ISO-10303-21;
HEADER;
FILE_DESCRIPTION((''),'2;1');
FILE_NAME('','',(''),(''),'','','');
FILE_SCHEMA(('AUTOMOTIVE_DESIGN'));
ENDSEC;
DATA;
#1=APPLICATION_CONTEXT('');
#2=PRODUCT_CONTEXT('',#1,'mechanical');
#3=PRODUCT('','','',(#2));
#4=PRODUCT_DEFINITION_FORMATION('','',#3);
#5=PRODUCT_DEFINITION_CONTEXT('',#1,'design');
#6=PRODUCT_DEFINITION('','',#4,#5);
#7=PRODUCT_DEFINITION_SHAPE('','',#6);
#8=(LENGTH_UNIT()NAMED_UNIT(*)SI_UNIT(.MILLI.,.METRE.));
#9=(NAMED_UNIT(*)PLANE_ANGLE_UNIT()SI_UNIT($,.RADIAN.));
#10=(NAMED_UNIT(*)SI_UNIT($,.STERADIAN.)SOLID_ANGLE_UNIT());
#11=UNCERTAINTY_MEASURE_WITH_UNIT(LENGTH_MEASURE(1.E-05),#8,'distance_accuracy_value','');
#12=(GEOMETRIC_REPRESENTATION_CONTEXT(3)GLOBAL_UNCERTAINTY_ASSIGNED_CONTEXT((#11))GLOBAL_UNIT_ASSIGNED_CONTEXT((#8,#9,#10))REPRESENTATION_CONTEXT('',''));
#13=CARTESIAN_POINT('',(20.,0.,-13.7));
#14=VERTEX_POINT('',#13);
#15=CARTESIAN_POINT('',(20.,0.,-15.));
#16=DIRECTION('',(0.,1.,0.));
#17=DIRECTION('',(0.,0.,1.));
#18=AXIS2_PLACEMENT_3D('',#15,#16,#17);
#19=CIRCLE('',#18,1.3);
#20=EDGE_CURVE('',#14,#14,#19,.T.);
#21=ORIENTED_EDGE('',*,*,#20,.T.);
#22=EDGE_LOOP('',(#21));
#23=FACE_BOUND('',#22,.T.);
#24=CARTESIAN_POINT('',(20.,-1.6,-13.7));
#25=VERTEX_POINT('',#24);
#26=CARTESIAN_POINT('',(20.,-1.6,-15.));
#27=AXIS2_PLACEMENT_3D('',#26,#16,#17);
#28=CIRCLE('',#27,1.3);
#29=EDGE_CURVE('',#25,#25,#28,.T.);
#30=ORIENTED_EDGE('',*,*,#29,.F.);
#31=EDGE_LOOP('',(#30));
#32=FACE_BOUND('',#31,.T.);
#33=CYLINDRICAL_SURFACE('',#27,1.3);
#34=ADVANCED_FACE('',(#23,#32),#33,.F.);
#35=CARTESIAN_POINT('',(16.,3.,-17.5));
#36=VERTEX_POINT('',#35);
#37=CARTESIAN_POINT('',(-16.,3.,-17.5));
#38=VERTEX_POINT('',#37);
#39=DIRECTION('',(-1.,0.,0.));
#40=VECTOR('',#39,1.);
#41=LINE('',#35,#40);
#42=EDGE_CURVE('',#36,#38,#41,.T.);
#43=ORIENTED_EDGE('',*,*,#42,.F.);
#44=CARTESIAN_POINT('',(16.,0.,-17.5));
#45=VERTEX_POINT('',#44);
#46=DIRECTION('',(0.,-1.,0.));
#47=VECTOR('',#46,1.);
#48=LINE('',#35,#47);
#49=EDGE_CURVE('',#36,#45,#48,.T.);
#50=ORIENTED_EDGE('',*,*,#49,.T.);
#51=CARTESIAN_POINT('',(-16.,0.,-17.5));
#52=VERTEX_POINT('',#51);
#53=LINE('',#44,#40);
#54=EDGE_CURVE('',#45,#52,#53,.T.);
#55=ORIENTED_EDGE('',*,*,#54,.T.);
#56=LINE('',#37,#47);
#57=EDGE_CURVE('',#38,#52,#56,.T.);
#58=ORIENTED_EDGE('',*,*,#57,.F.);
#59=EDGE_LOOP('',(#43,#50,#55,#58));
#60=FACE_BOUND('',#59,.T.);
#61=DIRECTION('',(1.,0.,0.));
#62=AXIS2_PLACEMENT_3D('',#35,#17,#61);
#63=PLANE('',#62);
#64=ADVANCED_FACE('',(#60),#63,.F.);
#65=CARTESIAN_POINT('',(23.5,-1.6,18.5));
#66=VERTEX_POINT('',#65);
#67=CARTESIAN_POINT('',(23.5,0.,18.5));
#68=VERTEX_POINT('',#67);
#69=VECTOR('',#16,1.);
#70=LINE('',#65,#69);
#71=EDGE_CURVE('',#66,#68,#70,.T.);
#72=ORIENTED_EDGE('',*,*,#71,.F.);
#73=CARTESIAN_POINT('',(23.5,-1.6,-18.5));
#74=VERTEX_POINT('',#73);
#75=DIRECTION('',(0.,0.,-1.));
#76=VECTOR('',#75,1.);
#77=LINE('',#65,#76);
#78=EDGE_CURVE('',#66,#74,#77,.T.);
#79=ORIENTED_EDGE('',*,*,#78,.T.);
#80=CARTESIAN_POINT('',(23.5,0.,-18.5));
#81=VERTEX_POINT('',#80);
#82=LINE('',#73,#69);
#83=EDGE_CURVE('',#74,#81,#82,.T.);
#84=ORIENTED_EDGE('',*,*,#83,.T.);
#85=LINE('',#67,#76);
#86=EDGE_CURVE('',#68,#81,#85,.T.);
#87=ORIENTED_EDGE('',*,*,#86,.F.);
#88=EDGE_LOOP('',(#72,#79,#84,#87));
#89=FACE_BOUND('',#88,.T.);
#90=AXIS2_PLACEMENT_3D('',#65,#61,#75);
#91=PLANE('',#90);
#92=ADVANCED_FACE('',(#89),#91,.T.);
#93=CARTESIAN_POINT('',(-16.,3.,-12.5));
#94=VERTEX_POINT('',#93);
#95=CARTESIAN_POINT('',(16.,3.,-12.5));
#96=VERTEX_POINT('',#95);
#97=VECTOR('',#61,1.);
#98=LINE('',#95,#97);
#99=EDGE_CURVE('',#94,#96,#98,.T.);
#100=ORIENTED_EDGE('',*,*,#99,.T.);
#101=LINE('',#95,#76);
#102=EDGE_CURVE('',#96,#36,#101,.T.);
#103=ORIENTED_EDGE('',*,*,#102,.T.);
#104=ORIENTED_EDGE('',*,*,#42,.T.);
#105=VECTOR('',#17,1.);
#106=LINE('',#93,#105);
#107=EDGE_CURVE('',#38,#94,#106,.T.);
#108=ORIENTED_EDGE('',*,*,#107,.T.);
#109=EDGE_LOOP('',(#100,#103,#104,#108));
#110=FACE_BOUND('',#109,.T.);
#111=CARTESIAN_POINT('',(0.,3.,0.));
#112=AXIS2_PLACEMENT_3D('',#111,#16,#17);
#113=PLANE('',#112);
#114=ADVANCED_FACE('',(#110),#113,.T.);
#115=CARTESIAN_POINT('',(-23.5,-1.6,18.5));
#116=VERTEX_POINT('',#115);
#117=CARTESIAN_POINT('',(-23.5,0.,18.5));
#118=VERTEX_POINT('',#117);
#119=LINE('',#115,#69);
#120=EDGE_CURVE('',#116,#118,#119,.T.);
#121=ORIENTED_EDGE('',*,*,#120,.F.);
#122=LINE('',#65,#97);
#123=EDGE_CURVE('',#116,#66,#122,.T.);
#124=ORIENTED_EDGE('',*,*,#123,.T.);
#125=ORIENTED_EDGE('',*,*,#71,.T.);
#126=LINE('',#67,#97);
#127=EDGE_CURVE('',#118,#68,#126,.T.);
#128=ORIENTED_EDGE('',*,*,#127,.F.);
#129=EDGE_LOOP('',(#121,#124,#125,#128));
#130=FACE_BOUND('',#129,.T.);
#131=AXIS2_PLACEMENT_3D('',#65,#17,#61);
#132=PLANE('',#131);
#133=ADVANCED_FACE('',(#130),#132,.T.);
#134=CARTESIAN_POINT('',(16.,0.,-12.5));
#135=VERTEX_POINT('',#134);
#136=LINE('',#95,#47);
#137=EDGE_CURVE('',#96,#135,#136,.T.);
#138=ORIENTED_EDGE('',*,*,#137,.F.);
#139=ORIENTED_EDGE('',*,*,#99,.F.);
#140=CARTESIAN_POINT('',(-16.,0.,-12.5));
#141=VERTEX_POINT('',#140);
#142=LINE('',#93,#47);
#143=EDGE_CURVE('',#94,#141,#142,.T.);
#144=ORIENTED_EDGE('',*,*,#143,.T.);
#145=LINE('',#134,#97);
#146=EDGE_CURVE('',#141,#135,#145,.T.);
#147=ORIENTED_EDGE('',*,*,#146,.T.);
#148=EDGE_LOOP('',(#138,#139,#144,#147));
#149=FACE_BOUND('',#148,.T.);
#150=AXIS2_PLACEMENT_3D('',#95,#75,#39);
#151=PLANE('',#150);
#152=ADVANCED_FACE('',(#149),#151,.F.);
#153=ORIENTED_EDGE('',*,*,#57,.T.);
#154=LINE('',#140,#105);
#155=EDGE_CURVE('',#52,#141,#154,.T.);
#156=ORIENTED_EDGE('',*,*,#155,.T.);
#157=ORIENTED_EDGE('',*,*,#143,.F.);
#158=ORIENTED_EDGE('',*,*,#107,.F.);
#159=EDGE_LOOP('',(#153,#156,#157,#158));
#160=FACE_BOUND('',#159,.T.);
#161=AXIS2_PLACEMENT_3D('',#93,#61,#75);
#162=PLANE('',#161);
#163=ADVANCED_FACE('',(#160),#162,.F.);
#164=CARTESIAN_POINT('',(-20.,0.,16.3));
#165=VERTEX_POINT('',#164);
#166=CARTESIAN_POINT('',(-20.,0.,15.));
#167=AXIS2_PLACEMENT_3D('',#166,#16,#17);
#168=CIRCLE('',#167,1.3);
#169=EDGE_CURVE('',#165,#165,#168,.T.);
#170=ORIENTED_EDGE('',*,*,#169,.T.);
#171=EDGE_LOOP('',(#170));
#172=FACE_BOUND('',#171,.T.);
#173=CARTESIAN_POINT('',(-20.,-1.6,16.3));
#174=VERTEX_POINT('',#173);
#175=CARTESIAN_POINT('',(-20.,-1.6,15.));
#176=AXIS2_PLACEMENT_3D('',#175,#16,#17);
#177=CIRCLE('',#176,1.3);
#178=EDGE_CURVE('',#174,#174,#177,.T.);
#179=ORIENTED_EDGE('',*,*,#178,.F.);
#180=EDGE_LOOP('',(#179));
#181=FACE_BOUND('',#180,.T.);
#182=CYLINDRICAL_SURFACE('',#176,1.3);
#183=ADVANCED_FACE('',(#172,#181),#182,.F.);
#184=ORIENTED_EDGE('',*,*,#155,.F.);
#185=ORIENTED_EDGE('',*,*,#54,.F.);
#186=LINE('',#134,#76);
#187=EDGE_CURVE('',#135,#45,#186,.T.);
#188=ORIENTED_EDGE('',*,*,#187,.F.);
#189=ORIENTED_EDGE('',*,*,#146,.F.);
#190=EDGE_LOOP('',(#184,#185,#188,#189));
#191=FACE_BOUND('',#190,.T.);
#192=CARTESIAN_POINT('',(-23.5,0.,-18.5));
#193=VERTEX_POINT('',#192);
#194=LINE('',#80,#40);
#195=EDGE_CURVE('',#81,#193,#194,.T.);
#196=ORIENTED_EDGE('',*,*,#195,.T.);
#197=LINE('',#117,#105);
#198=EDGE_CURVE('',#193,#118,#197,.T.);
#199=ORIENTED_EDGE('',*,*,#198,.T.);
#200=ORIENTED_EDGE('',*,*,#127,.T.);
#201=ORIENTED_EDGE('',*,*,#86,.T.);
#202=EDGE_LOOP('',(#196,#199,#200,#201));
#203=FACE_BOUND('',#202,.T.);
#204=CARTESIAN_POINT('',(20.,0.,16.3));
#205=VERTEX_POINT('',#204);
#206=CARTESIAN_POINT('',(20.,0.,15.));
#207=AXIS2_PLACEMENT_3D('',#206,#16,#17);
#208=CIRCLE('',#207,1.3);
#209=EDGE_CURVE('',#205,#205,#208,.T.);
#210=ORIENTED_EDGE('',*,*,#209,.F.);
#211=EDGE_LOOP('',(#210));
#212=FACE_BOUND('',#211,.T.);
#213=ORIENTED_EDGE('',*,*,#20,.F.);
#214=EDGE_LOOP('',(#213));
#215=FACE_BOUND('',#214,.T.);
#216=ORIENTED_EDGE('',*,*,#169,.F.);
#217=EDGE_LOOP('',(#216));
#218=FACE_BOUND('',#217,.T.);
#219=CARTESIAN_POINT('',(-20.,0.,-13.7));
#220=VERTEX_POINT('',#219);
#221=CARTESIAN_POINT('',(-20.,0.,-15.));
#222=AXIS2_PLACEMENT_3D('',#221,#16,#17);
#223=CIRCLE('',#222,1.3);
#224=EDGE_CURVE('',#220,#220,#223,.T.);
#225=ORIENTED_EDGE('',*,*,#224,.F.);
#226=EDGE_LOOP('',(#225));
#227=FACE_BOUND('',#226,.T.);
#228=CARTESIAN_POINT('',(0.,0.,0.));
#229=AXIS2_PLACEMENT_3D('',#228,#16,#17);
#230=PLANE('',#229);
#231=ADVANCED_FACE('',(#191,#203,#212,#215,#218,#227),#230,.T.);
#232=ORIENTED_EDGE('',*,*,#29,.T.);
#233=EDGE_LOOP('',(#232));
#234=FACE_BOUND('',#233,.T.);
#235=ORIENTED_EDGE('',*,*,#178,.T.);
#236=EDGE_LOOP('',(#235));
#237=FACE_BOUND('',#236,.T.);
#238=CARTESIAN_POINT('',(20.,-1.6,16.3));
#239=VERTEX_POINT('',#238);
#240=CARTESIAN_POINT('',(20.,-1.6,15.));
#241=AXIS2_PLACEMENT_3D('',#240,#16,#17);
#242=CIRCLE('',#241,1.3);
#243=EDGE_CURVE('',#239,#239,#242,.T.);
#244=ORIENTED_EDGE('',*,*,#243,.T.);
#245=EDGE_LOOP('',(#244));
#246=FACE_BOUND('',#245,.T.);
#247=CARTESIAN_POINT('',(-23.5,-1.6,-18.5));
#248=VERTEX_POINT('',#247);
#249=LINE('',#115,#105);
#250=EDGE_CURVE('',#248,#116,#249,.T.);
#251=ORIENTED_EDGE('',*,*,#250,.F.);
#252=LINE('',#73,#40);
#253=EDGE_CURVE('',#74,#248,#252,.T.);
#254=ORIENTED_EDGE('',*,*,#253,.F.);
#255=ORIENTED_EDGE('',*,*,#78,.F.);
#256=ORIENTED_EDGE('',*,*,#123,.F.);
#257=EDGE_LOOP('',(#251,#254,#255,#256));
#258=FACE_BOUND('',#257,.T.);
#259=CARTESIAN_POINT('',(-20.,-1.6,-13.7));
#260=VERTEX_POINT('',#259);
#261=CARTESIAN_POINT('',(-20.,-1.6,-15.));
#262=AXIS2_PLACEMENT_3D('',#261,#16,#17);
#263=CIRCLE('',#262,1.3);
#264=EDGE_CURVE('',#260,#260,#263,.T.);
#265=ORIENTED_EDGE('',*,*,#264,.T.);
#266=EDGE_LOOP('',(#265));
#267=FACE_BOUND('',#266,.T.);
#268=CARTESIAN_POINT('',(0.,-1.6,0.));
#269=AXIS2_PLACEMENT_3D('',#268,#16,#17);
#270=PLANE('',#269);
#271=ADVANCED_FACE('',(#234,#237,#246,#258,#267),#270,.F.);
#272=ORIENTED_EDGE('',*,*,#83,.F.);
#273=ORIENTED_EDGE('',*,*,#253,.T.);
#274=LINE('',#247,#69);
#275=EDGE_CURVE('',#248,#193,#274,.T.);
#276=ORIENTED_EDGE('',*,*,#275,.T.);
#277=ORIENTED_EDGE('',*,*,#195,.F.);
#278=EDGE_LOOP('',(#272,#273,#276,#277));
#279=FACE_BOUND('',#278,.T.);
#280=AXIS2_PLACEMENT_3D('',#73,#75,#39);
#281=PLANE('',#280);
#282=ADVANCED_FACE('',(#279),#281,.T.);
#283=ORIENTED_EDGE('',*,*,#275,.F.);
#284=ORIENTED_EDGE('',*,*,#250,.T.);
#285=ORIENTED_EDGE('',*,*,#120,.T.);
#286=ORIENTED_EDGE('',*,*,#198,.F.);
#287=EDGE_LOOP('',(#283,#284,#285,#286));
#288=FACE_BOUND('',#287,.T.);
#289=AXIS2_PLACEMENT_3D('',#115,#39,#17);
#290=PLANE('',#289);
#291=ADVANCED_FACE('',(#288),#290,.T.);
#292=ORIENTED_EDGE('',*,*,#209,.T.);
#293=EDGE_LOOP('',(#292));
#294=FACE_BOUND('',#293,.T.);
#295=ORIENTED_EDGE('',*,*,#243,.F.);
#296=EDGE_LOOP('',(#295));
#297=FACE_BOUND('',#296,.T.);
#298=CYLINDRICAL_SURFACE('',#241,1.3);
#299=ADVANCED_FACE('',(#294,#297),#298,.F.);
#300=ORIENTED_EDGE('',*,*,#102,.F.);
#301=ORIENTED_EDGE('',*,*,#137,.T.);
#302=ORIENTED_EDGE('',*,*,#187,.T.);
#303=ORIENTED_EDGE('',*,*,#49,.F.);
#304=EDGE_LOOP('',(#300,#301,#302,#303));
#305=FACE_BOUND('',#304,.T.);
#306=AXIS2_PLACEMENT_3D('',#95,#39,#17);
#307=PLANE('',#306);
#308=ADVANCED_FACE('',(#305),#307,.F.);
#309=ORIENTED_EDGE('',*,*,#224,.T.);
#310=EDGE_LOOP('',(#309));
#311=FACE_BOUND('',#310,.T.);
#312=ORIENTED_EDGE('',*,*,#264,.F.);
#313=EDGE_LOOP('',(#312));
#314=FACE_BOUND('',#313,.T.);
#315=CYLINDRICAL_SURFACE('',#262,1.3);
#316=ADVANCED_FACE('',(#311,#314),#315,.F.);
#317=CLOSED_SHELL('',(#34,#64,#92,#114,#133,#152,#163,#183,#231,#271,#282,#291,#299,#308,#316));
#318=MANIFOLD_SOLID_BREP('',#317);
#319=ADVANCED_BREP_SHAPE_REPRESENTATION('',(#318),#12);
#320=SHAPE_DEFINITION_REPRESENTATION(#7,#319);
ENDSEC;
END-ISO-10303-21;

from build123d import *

# Parameters (mm, degrees)
SKETCH_1_W          = 47
SKETCH_1_H          = 37
EXTRUDE_1_DEPTH     = 1.6
SKETCH_2_R          = 1.3
CUT_EXTRUDE_1_DEPTH = 1.6
SKETCH_3_W          = 32
SKETCH_3_H          = 5
EXTRUDE_2_DEPTH     = 3


with BuildPart() as part:
    # Эскиз1 → Бобышка-Вытянуть1 (new body)
    with BuildSketch(Plane(origin=(0, 0, 0), x_dir=(1, 0, 0), z_dir=(0, 1, 0))):
        Rectangle(SKETCH_1_W, SKETCH_1_H)
    extrude(amount=-EXTRUDE_1_DEPTH)

    # Эскиз2 → Вырез-Вытянуть1 (cut)
    with BuildSketch(Plane(origin=(0, 0, 0), x_dir=(1, 0, 0), z_dir=(0, 1, 0))):
        with Locations((-20, 15)):
            Circle(SKETCH_2_R)
        with Locations((-20, -15)):
            Circle(SKETCH_2_R)
        with Locations((20, -15)):
            Circle(SKETCH_2_R)
        with Locations((20, 15)):
            Circle(SKETCH_2_R)
    extrude(amount=-CUT_EXTRUDE_1_DEPTH, mode=Mode.SUBTRACT)

    # Эскиз3 → Бобышка-Вытянуть2 (add)
    with BuildSketch(Plane(origin=(0, 0, 0), x_dir=(1, 0, 0), z_dir=(0, 1, 0))):
        with Locations((0, 15)):
            Rectangle(SKETCH_3_W, SKETCH_3_H)
    extrude(amount=EXTRUDE_2_DEPTH)


solid = part.part
